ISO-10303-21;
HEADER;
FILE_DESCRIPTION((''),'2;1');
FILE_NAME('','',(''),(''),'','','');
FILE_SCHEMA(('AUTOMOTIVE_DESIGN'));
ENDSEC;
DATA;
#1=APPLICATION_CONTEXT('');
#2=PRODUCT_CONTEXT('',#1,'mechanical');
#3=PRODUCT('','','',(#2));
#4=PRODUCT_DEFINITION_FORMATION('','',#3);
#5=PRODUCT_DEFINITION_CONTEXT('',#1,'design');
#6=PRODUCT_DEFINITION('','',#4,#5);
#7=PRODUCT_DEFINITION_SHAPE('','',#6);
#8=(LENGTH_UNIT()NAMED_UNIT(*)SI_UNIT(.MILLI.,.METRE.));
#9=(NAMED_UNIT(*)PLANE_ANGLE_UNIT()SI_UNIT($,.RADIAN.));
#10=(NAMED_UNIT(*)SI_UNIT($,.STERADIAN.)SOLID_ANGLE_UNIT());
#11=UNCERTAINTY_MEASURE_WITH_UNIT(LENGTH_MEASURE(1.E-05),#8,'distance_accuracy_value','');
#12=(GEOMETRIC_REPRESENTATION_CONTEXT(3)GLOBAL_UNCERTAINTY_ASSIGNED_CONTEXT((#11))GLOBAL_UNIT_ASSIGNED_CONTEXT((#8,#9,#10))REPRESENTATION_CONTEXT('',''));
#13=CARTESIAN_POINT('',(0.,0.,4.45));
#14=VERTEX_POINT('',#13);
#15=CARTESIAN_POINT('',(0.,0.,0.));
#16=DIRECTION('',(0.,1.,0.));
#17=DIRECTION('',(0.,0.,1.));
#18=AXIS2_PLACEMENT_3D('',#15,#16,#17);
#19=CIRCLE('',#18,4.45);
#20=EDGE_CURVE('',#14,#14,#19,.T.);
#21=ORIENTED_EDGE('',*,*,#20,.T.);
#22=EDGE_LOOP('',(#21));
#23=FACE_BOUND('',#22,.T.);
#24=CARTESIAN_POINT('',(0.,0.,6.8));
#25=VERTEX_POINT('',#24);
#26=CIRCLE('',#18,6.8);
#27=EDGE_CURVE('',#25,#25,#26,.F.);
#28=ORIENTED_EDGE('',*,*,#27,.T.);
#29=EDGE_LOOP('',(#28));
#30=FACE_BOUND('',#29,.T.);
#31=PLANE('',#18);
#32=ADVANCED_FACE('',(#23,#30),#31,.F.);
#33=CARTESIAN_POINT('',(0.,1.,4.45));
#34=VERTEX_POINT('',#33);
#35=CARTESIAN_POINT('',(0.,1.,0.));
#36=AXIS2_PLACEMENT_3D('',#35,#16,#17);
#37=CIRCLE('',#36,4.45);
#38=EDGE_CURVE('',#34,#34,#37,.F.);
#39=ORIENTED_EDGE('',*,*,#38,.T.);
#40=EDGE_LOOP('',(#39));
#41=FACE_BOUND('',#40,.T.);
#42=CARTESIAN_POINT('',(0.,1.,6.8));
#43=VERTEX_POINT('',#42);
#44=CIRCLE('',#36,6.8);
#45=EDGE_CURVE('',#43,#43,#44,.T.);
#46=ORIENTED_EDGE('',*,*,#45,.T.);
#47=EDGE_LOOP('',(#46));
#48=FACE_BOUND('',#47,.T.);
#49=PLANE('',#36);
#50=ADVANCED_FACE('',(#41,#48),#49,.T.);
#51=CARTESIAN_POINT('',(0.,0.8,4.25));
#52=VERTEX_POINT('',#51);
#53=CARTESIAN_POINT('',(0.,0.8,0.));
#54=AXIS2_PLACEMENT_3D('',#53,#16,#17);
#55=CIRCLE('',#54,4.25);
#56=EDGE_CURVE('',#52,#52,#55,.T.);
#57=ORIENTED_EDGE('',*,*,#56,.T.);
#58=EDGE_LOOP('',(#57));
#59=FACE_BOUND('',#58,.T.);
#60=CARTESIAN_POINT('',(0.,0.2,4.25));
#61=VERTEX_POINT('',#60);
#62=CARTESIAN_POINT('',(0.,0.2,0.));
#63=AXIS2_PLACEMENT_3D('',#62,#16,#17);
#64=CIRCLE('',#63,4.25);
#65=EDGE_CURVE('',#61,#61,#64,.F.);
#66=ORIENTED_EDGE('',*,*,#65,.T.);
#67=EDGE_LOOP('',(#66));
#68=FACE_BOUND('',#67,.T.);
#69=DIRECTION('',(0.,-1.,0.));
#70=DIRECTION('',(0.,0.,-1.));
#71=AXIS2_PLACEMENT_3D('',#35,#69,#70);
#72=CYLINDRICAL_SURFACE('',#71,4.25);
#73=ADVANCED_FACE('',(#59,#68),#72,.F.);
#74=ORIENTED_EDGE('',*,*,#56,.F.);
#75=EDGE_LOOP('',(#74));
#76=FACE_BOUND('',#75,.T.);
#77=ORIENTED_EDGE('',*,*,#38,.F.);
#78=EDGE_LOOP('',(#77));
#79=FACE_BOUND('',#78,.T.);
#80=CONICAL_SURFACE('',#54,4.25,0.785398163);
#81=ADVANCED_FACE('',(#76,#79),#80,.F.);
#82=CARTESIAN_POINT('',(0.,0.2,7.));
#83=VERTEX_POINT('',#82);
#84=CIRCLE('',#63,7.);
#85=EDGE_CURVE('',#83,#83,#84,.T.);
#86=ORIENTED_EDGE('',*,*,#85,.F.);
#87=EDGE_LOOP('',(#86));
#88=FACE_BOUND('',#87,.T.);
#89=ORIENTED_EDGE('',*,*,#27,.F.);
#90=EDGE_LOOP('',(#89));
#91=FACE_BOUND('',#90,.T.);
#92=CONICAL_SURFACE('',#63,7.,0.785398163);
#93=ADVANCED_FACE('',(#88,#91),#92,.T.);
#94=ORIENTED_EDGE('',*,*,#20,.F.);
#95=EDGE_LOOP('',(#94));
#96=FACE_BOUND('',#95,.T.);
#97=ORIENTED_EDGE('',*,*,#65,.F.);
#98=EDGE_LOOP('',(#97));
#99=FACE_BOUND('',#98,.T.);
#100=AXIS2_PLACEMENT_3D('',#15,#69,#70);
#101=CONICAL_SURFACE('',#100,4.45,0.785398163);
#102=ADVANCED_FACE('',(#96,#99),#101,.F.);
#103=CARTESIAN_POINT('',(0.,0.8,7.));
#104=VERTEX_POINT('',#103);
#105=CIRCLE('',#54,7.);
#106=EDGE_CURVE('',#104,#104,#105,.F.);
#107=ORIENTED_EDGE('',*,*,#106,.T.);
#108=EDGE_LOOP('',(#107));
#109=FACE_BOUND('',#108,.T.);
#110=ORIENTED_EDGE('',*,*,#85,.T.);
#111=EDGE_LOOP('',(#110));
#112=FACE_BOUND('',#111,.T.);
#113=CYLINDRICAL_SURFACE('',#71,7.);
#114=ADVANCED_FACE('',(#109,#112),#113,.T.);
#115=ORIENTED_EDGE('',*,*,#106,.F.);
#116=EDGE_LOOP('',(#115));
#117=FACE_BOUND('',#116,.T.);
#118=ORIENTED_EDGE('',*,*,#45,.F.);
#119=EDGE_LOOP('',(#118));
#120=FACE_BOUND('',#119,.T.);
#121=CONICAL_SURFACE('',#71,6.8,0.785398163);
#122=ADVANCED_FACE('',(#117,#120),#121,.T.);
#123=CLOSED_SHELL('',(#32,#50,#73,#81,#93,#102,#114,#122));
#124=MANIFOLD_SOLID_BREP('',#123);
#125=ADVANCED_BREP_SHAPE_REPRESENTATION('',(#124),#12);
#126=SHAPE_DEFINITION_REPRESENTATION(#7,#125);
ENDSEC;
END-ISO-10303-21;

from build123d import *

# Parameters (mm, degrees)
SKETCH1_R           = 7
SKETCH1_R_2         = 4.25
BOSS_EXTRUDE1_DEPTH = 1
CHAMFER1_SIZE       = 0.2


with BuildPart() as part:
    # Sketch1 → Boss-Extrude1 (new body)
    with BuildSketch(Plane(origin=(0, 0, 0), x_dir=(1, 0, 0), z_dir=(0, 1, 0))):
        Circle(SKETCH1_R)
        Circle(SKETCH1_R_2, mode=Mode.SUBTRACT)
    extrude(amount=BOSS_EXTRUDE1_DEPTH)

    # Chamfer1
    chamfer1_edges = [part.edges().sort_by_distance(p)[0] for p in [
        (-4.25, 0, 0),
        (-7, 0, 0),
        (-4.25, 1, 0),
        (-7, 1, 0),
    ]]
    chamfer(chamfer1_edges, length=CHAMFER1_SIZE)


solid = part.part
